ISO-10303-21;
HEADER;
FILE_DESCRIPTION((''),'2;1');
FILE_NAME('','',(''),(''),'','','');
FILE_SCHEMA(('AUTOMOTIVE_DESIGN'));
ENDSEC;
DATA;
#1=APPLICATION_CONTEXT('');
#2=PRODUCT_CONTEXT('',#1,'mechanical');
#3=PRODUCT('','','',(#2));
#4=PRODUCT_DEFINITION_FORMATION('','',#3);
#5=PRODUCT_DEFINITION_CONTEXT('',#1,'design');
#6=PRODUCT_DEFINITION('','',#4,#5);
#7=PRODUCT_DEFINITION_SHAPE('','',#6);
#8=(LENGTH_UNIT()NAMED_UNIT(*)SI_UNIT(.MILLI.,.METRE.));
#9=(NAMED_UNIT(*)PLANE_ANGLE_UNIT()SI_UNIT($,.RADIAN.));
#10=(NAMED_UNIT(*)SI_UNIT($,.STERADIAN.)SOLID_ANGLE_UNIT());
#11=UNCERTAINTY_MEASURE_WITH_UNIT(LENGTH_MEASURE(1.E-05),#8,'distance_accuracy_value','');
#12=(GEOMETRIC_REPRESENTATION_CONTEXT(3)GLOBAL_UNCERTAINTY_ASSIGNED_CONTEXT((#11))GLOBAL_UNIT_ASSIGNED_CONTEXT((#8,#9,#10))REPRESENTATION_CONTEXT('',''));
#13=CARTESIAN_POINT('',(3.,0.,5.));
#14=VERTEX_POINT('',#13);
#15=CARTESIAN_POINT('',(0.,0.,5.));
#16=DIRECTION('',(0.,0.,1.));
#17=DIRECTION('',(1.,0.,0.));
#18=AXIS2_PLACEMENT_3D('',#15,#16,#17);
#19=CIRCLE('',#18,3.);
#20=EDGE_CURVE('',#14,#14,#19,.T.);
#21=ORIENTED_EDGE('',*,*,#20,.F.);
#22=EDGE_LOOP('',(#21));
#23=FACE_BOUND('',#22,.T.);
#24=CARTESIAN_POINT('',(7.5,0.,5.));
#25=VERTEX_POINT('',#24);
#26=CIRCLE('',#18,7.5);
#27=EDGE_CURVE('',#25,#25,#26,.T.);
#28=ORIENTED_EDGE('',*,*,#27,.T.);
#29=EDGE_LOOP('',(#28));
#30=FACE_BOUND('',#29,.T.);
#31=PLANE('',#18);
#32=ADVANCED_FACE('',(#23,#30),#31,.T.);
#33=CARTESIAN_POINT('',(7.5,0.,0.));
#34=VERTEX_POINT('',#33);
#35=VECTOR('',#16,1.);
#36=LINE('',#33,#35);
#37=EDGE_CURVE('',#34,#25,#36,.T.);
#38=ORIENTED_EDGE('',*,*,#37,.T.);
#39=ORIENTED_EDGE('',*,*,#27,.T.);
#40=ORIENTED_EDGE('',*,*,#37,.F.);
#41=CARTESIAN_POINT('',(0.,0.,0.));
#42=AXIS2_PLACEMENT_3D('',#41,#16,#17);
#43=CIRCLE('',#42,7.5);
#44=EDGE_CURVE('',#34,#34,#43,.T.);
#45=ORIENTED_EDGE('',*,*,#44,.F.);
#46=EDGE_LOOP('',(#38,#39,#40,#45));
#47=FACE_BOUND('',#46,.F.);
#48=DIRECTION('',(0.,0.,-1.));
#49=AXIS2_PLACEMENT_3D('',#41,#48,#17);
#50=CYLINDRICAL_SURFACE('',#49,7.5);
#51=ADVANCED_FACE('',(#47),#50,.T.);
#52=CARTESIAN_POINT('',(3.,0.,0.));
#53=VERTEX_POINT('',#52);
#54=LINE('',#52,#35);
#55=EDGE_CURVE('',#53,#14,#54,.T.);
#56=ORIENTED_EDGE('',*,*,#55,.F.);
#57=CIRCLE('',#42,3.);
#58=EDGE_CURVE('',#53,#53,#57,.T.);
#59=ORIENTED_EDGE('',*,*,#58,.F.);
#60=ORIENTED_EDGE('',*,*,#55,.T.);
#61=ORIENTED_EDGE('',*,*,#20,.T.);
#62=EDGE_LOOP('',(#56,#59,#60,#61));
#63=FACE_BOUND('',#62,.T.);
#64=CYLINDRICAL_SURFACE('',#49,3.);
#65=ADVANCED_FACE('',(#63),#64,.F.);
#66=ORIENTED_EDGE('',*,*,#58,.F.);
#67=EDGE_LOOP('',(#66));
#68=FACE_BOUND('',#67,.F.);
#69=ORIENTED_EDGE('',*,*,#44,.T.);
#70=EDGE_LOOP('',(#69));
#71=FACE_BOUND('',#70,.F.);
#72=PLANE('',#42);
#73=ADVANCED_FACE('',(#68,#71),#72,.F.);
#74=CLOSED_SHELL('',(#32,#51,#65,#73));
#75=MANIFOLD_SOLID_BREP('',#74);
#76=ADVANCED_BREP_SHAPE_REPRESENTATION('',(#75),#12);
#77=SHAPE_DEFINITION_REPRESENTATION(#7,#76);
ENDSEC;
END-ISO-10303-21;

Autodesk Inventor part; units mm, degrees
ref_plane "YZ Plane" through (0, 0, 0) normal (1, 0, 0) x (0, 1, 0)
ref_plane "XZ Plane" through (0, 0, 0) normal (0, 1, 0) x (-1, 0, 0)
ref_plane "XY Plane" through (0, 0, 0) normal (0, 0, 1) x (1, 0, 0)
sketch "Sketch1" plane through (0, 0, 0) normal (0, 0, 1) x (1, 0, 0)
  circle A0 centre (0, 0) radius 7.5
  circle A1 centre (0, 0) radius 3
  dimension "d0" = 15
  dimension "d2" = 6
extrude "Extrusion1" add sketch "Sketch1" along normal blind 5
properties part number "bearing 6mmx15mmx5mm"
